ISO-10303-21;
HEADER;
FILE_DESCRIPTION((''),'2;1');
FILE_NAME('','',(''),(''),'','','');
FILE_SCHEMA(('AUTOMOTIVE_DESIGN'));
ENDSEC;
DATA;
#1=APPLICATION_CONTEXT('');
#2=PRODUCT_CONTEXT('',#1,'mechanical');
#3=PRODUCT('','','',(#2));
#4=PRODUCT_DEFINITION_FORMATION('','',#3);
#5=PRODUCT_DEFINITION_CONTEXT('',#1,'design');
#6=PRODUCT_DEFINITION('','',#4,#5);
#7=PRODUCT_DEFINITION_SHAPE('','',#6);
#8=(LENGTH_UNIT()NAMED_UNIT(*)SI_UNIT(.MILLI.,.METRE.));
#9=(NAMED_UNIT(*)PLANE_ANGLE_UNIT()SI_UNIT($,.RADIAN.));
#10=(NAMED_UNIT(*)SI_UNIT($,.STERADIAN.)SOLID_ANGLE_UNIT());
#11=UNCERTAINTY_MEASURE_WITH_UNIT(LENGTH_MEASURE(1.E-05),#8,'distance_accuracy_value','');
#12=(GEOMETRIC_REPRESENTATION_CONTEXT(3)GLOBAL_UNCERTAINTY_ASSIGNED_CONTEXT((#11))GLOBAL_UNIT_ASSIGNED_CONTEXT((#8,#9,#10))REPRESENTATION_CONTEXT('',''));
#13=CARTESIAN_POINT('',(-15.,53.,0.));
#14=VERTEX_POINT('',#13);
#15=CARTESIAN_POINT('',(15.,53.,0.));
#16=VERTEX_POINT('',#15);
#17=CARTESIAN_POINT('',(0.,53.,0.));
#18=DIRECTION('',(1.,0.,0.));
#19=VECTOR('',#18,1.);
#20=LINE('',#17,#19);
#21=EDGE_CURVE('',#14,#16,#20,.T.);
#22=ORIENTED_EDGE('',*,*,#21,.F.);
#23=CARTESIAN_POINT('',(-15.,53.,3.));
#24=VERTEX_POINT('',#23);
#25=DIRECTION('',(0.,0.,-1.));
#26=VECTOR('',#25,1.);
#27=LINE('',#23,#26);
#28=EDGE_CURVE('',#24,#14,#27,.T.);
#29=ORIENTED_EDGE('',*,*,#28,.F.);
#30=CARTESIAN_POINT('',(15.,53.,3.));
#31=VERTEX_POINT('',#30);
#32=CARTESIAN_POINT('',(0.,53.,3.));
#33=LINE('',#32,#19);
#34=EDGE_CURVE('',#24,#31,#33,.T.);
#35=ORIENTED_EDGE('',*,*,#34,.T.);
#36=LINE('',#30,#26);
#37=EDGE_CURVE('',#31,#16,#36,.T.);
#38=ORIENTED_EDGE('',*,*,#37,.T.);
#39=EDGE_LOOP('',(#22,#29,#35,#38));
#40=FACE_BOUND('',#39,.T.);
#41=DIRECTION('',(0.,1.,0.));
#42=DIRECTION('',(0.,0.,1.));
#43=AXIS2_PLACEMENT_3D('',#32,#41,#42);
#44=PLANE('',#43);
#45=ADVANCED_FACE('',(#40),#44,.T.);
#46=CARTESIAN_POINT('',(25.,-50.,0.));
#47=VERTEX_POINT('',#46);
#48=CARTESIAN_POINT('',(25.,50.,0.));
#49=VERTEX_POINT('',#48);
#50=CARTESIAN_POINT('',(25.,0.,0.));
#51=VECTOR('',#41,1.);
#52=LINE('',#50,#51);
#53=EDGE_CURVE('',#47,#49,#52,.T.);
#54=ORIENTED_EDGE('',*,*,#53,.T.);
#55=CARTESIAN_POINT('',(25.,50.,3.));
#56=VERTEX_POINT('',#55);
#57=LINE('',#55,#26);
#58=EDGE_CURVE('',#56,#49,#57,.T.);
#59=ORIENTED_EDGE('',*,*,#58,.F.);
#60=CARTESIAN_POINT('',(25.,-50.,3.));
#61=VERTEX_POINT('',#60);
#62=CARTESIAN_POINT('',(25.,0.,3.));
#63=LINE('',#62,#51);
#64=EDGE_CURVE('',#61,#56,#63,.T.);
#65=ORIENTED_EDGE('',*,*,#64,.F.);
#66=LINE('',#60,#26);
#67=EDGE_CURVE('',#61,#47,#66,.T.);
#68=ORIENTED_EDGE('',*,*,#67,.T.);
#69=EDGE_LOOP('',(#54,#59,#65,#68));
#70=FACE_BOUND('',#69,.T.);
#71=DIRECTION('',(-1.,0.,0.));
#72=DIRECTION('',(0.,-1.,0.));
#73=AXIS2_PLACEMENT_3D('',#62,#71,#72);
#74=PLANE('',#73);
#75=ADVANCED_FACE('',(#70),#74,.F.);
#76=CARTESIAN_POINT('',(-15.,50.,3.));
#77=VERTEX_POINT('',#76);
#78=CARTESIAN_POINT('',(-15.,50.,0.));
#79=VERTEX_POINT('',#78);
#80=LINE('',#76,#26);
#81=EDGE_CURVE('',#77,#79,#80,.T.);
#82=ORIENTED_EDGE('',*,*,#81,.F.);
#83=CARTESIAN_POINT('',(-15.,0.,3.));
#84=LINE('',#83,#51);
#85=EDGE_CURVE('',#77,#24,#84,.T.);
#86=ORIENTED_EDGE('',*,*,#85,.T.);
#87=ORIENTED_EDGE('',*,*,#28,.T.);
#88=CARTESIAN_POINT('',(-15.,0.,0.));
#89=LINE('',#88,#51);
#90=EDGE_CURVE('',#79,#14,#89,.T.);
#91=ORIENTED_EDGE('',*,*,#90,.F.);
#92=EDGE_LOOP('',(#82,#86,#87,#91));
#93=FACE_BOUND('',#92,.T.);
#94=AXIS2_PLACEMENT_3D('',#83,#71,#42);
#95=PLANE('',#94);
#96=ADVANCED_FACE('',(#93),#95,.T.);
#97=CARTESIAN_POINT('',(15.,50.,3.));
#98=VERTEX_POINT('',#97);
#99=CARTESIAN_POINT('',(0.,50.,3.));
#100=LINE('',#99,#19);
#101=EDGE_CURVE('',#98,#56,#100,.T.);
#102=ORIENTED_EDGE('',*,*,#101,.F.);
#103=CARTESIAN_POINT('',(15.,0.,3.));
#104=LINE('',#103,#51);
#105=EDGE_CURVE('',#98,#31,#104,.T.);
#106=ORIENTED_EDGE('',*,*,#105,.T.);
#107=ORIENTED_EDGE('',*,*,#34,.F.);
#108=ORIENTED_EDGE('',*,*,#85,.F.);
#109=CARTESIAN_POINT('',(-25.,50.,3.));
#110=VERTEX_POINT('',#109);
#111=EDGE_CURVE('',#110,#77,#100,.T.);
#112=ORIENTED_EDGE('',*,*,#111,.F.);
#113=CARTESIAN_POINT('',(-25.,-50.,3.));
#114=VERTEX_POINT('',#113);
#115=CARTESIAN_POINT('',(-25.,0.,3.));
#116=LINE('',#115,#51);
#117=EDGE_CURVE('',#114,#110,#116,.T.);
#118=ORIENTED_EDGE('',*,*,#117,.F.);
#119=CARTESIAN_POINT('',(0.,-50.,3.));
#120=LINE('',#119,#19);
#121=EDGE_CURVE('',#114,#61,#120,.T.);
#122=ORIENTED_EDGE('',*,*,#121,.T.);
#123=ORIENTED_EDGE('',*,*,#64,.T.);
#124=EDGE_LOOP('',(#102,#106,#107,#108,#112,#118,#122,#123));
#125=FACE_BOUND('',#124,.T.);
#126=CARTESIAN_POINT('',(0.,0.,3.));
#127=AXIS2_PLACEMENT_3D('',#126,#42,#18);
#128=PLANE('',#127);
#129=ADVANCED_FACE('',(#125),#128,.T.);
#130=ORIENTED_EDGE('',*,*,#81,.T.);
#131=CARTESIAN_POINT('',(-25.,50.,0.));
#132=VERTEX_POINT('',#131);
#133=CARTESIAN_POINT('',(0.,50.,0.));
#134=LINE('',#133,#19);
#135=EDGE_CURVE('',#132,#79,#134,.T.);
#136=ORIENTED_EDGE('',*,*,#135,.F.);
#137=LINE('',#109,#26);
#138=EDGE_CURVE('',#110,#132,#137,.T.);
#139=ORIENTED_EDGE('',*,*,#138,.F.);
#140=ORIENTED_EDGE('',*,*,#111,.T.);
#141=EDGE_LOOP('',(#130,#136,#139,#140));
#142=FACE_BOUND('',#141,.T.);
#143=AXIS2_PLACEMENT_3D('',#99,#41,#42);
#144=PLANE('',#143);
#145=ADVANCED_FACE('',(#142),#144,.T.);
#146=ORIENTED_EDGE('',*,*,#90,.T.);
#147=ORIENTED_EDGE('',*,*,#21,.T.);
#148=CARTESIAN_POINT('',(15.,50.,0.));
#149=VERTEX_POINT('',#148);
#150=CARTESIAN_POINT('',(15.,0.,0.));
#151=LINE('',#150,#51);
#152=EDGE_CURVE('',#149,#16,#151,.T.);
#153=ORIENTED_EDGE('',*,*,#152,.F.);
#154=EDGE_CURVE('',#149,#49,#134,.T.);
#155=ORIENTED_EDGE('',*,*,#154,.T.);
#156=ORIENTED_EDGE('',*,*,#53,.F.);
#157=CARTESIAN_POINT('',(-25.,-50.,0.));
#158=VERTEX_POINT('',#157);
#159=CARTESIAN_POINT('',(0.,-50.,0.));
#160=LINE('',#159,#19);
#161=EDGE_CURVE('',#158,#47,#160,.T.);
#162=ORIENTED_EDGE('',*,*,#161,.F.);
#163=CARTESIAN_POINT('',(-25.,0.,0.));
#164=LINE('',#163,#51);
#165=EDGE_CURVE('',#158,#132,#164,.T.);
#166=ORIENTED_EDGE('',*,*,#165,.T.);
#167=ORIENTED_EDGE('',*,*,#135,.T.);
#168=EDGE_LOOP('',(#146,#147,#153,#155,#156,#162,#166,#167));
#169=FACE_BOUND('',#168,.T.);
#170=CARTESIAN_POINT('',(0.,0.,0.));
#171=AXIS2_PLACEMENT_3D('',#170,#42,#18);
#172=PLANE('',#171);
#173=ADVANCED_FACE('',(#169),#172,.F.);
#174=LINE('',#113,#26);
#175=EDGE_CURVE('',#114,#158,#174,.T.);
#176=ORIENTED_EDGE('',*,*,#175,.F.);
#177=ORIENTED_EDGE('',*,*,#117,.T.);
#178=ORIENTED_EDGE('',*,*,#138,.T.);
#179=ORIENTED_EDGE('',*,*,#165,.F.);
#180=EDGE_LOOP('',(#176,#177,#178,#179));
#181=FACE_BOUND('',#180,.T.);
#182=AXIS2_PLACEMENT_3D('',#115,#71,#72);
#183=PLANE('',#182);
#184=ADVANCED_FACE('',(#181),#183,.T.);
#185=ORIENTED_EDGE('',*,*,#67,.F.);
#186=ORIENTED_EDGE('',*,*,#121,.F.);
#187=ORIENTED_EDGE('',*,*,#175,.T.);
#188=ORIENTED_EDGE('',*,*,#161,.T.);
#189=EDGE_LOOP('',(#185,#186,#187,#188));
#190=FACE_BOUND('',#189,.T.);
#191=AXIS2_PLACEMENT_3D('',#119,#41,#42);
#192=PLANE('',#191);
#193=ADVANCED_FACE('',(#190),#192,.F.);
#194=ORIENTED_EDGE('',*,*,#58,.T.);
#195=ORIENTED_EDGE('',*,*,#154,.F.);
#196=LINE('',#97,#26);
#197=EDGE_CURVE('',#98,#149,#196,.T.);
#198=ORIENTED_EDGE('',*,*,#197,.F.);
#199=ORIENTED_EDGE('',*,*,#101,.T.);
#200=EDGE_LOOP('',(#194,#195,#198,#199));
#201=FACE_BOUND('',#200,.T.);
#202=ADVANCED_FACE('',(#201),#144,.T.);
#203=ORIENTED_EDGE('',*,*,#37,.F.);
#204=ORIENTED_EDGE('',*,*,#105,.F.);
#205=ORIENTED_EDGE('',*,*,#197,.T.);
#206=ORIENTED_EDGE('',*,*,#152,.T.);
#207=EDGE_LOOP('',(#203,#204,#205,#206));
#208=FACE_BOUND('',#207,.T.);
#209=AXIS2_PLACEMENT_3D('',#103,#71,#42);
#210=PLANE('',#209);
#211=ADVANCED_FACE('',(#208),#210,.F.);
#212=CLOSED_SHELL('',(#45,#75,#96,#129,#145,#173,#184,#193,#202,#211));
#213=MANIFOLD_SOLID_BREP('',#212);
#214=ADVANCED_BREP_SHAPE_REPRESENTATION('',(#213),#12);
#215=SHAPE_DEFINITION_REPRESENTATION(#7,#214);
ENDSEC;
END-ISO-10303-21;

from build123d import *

# Parameters (mm, degrees)
SKETCH_1_W      = 30
SKETCH_1_H      = 3
EXTRUDE_1_DEPTH = 3


with BuildPart() as part:
    # Эскиз1 → Бобышка-Вытянуть1 (new body)
    with BuildSketch(Plane.XY):
        Polygon((-25, 50), (-25, -50), (25, -50), (25, 50), (15, 50), (15, 47), (-15, 47), (-15, 50), align=None)
        with Locations((0, 48.5)):
            Rectangle(SKETCH_1_W, SKETCH_1_H)
        with Locations((0, 51.5)):
            Rectangle(SKETCH_1_W, SKETCH_1_H)
    extrude(amount=EXTRUDE_1_DEPTH)


solid = part.part
